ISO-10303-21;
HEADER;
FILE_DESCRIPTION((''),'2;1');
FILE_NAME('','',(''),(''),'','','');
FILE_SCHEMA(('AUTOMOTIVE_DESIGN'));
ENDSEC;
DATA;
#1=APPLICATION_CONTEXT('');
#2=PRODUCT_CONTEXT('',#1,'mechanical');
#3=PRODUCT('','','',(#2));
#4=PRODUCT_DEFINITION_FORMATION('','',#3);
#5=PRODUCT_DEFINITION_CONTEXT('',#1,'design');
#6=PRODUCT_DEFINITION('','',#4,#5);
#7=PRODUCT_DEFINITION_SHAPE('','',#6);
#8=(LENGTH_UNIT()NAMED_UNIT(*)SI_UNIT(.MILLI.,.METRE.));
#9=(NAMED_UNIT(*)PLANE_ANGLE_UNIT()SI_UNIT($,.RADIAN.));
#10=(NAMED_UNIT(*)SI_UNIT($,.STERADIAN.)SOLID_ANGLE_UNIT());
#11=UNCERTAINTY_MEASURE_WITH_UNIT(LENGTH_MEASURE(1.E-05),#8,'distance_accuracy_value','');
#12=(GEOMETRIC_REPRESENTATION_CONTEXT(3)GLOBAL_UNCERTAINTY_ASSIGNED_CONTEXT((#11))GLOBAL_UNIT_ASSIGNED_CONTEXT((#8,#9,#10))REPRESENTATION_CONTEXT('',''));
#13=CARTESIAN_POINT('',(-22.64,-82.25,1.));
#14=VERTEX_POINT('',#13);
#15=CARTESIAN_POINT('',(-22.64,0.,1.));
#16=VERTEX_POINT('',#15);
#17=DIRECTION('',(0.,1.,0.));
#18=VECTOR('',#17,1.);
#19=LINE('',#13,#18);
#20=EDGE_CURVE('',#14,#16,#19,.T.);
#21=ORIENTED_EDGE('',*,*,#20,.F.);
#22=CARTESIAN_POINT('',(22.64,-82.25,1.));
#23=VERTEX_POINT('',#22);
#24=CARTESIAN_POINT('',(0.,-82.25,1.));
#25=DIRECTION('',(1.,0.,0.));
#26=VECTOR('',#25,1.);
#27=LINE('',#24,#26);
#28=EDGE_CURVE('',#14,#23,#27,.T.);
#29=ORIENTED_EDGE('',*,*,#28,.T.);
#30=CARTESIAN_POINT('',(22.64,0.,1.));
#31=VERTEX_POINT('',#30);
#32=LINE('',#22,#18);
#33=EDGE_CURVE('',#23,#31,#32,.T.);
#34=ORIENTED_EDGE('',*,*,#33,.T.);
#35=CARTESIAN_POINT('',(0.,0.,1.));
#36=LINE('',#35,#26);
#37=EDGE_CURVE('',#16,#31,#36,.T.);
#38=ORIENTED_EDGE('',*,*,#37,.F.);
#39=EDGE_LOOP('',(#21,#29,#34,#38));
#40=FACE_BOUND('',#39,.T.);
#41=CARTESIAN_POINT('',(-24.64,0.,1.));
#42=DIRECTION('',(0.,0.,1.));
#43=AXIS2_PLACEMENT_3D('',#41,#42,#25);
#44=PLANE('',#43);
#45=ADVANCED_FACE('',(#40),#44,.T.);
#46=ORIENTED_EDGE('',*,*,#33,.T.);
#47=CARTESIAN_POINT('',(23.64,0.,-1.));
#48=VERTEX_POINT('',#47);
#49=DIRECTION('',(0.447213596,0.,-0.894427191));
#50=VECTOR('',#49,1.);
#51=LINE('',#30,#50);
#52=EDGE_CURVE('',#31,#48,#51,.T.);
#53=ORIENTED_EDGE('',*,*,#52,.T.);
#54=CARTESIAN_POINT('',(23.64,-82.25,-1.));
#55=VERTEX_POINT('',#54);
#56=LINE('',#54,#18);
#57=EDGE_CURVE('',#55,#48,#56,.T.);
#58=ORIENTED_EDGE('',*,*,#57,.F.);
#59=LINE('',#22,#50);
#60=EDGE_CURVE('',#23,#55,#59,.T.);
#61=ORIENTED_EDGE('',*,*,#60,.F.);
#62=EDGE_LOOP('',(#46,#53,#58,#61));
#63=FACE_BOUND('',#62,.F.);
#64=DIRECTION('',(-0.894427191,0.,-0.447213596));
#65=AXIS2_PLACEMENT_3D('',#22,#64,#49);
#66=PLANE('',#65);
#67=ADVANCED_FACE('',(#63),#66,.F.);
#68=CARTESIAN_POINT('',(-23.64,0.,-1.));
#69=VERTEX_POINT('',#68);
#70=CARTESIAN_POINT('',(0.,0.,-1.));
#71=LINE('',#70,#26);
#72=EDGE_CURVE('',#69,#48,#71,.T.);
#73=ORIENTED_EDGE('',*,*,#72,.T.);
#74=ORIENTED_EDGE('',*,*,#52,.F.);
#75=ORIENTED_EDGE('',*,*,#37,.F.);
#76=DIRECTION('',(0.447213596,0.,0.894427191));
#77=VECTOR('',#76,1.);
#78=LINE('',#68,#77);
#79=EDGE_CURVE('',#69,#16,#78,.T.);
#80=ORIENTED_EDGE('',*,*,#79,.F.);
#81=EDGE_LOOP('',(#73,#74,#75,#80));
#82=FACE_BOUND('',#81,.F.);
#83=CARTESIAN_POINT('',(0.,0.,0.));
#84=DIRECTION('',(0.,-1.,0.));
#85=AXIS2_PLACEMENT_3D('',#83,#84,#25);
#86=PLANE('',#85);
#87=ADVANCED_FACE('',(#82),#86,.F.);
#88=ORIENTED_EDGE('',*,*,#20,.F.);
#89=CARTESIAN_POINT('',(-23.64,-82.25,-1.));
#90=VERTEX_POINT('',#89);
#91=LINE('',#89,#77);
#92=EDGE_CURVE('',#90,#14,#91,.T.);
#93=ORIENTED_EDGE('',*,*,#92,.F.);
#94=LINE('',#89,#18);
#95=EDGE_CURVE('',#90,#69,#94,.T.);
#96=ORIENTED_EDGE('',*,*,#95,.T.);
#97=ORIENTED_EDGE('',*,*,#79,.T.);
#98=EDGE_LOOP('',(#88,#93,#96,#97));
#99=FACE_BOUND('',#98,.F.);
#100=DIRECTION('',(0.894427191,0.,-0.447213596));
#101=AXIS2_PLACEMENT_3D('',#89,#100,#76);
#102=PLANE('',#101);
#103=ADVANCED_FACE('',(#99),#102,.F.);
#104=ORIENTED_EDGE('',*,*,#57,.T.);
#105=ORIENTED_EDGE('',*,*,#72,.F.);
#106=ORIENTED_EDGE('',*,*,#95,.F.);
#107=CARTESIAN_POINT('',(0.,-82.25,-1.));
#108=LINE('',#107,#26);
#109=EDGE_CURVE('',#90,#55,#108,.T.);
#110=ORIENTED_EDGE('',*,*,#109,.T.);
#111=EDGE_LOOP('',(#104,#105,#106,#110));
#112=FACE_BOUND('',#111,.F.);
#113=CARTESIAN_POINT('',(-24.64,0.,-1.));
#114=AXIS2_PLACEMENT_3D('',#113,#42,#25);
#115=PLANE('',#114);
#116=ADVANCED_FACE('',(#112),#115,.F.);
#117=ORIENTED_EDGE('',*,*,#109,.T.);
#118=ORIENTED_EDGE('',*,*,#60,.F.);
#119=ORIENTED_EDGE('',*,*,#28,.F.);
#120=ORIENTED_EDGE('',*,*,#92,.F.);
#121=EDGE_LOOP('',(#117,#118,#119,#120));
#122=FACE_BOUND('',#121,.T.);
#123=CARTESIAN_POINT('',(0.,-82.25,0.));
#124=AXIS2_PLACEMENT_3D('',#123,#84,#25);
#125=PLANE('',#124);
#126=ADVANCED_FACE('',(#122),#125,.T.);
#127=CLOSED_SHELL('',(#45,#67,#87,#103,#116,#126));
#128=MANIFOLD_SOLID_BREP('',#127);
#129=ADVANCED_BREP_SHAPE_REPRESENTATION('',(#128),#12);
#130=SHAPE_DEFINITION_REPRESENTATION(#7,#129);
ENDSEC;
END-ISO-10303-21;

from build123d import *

# Parameters (mm, degrees)
F0_W     = 49.28
F0_H     = 2
F1_DEPTH = 82.25
F3_DEPTH = 82.25


with BuildPart() as f1:
    # F0 (on Front) → F1 (new body)
    with BuildSketch(Plane.XZ):
        Rectangle(F0_W, F0_H)
    extrude(amount=F1_DEPTH)

    # F2 (on face) → F3 (cut)
    with BuildSketch(Plane.XZ.offset(82.25)):
        Polygon((-24.64, 1), (-24.64, -1), (-23.64, -1), (-22.64, 1), align=None)
        Polygon((22.64, 1), (23.64, -1), (24.64, -1), (24.64, 1), align=None)
    extrude(amount=-F3_DEPTH, mode=Mode.SUBTRACT)


solid = f1.part
